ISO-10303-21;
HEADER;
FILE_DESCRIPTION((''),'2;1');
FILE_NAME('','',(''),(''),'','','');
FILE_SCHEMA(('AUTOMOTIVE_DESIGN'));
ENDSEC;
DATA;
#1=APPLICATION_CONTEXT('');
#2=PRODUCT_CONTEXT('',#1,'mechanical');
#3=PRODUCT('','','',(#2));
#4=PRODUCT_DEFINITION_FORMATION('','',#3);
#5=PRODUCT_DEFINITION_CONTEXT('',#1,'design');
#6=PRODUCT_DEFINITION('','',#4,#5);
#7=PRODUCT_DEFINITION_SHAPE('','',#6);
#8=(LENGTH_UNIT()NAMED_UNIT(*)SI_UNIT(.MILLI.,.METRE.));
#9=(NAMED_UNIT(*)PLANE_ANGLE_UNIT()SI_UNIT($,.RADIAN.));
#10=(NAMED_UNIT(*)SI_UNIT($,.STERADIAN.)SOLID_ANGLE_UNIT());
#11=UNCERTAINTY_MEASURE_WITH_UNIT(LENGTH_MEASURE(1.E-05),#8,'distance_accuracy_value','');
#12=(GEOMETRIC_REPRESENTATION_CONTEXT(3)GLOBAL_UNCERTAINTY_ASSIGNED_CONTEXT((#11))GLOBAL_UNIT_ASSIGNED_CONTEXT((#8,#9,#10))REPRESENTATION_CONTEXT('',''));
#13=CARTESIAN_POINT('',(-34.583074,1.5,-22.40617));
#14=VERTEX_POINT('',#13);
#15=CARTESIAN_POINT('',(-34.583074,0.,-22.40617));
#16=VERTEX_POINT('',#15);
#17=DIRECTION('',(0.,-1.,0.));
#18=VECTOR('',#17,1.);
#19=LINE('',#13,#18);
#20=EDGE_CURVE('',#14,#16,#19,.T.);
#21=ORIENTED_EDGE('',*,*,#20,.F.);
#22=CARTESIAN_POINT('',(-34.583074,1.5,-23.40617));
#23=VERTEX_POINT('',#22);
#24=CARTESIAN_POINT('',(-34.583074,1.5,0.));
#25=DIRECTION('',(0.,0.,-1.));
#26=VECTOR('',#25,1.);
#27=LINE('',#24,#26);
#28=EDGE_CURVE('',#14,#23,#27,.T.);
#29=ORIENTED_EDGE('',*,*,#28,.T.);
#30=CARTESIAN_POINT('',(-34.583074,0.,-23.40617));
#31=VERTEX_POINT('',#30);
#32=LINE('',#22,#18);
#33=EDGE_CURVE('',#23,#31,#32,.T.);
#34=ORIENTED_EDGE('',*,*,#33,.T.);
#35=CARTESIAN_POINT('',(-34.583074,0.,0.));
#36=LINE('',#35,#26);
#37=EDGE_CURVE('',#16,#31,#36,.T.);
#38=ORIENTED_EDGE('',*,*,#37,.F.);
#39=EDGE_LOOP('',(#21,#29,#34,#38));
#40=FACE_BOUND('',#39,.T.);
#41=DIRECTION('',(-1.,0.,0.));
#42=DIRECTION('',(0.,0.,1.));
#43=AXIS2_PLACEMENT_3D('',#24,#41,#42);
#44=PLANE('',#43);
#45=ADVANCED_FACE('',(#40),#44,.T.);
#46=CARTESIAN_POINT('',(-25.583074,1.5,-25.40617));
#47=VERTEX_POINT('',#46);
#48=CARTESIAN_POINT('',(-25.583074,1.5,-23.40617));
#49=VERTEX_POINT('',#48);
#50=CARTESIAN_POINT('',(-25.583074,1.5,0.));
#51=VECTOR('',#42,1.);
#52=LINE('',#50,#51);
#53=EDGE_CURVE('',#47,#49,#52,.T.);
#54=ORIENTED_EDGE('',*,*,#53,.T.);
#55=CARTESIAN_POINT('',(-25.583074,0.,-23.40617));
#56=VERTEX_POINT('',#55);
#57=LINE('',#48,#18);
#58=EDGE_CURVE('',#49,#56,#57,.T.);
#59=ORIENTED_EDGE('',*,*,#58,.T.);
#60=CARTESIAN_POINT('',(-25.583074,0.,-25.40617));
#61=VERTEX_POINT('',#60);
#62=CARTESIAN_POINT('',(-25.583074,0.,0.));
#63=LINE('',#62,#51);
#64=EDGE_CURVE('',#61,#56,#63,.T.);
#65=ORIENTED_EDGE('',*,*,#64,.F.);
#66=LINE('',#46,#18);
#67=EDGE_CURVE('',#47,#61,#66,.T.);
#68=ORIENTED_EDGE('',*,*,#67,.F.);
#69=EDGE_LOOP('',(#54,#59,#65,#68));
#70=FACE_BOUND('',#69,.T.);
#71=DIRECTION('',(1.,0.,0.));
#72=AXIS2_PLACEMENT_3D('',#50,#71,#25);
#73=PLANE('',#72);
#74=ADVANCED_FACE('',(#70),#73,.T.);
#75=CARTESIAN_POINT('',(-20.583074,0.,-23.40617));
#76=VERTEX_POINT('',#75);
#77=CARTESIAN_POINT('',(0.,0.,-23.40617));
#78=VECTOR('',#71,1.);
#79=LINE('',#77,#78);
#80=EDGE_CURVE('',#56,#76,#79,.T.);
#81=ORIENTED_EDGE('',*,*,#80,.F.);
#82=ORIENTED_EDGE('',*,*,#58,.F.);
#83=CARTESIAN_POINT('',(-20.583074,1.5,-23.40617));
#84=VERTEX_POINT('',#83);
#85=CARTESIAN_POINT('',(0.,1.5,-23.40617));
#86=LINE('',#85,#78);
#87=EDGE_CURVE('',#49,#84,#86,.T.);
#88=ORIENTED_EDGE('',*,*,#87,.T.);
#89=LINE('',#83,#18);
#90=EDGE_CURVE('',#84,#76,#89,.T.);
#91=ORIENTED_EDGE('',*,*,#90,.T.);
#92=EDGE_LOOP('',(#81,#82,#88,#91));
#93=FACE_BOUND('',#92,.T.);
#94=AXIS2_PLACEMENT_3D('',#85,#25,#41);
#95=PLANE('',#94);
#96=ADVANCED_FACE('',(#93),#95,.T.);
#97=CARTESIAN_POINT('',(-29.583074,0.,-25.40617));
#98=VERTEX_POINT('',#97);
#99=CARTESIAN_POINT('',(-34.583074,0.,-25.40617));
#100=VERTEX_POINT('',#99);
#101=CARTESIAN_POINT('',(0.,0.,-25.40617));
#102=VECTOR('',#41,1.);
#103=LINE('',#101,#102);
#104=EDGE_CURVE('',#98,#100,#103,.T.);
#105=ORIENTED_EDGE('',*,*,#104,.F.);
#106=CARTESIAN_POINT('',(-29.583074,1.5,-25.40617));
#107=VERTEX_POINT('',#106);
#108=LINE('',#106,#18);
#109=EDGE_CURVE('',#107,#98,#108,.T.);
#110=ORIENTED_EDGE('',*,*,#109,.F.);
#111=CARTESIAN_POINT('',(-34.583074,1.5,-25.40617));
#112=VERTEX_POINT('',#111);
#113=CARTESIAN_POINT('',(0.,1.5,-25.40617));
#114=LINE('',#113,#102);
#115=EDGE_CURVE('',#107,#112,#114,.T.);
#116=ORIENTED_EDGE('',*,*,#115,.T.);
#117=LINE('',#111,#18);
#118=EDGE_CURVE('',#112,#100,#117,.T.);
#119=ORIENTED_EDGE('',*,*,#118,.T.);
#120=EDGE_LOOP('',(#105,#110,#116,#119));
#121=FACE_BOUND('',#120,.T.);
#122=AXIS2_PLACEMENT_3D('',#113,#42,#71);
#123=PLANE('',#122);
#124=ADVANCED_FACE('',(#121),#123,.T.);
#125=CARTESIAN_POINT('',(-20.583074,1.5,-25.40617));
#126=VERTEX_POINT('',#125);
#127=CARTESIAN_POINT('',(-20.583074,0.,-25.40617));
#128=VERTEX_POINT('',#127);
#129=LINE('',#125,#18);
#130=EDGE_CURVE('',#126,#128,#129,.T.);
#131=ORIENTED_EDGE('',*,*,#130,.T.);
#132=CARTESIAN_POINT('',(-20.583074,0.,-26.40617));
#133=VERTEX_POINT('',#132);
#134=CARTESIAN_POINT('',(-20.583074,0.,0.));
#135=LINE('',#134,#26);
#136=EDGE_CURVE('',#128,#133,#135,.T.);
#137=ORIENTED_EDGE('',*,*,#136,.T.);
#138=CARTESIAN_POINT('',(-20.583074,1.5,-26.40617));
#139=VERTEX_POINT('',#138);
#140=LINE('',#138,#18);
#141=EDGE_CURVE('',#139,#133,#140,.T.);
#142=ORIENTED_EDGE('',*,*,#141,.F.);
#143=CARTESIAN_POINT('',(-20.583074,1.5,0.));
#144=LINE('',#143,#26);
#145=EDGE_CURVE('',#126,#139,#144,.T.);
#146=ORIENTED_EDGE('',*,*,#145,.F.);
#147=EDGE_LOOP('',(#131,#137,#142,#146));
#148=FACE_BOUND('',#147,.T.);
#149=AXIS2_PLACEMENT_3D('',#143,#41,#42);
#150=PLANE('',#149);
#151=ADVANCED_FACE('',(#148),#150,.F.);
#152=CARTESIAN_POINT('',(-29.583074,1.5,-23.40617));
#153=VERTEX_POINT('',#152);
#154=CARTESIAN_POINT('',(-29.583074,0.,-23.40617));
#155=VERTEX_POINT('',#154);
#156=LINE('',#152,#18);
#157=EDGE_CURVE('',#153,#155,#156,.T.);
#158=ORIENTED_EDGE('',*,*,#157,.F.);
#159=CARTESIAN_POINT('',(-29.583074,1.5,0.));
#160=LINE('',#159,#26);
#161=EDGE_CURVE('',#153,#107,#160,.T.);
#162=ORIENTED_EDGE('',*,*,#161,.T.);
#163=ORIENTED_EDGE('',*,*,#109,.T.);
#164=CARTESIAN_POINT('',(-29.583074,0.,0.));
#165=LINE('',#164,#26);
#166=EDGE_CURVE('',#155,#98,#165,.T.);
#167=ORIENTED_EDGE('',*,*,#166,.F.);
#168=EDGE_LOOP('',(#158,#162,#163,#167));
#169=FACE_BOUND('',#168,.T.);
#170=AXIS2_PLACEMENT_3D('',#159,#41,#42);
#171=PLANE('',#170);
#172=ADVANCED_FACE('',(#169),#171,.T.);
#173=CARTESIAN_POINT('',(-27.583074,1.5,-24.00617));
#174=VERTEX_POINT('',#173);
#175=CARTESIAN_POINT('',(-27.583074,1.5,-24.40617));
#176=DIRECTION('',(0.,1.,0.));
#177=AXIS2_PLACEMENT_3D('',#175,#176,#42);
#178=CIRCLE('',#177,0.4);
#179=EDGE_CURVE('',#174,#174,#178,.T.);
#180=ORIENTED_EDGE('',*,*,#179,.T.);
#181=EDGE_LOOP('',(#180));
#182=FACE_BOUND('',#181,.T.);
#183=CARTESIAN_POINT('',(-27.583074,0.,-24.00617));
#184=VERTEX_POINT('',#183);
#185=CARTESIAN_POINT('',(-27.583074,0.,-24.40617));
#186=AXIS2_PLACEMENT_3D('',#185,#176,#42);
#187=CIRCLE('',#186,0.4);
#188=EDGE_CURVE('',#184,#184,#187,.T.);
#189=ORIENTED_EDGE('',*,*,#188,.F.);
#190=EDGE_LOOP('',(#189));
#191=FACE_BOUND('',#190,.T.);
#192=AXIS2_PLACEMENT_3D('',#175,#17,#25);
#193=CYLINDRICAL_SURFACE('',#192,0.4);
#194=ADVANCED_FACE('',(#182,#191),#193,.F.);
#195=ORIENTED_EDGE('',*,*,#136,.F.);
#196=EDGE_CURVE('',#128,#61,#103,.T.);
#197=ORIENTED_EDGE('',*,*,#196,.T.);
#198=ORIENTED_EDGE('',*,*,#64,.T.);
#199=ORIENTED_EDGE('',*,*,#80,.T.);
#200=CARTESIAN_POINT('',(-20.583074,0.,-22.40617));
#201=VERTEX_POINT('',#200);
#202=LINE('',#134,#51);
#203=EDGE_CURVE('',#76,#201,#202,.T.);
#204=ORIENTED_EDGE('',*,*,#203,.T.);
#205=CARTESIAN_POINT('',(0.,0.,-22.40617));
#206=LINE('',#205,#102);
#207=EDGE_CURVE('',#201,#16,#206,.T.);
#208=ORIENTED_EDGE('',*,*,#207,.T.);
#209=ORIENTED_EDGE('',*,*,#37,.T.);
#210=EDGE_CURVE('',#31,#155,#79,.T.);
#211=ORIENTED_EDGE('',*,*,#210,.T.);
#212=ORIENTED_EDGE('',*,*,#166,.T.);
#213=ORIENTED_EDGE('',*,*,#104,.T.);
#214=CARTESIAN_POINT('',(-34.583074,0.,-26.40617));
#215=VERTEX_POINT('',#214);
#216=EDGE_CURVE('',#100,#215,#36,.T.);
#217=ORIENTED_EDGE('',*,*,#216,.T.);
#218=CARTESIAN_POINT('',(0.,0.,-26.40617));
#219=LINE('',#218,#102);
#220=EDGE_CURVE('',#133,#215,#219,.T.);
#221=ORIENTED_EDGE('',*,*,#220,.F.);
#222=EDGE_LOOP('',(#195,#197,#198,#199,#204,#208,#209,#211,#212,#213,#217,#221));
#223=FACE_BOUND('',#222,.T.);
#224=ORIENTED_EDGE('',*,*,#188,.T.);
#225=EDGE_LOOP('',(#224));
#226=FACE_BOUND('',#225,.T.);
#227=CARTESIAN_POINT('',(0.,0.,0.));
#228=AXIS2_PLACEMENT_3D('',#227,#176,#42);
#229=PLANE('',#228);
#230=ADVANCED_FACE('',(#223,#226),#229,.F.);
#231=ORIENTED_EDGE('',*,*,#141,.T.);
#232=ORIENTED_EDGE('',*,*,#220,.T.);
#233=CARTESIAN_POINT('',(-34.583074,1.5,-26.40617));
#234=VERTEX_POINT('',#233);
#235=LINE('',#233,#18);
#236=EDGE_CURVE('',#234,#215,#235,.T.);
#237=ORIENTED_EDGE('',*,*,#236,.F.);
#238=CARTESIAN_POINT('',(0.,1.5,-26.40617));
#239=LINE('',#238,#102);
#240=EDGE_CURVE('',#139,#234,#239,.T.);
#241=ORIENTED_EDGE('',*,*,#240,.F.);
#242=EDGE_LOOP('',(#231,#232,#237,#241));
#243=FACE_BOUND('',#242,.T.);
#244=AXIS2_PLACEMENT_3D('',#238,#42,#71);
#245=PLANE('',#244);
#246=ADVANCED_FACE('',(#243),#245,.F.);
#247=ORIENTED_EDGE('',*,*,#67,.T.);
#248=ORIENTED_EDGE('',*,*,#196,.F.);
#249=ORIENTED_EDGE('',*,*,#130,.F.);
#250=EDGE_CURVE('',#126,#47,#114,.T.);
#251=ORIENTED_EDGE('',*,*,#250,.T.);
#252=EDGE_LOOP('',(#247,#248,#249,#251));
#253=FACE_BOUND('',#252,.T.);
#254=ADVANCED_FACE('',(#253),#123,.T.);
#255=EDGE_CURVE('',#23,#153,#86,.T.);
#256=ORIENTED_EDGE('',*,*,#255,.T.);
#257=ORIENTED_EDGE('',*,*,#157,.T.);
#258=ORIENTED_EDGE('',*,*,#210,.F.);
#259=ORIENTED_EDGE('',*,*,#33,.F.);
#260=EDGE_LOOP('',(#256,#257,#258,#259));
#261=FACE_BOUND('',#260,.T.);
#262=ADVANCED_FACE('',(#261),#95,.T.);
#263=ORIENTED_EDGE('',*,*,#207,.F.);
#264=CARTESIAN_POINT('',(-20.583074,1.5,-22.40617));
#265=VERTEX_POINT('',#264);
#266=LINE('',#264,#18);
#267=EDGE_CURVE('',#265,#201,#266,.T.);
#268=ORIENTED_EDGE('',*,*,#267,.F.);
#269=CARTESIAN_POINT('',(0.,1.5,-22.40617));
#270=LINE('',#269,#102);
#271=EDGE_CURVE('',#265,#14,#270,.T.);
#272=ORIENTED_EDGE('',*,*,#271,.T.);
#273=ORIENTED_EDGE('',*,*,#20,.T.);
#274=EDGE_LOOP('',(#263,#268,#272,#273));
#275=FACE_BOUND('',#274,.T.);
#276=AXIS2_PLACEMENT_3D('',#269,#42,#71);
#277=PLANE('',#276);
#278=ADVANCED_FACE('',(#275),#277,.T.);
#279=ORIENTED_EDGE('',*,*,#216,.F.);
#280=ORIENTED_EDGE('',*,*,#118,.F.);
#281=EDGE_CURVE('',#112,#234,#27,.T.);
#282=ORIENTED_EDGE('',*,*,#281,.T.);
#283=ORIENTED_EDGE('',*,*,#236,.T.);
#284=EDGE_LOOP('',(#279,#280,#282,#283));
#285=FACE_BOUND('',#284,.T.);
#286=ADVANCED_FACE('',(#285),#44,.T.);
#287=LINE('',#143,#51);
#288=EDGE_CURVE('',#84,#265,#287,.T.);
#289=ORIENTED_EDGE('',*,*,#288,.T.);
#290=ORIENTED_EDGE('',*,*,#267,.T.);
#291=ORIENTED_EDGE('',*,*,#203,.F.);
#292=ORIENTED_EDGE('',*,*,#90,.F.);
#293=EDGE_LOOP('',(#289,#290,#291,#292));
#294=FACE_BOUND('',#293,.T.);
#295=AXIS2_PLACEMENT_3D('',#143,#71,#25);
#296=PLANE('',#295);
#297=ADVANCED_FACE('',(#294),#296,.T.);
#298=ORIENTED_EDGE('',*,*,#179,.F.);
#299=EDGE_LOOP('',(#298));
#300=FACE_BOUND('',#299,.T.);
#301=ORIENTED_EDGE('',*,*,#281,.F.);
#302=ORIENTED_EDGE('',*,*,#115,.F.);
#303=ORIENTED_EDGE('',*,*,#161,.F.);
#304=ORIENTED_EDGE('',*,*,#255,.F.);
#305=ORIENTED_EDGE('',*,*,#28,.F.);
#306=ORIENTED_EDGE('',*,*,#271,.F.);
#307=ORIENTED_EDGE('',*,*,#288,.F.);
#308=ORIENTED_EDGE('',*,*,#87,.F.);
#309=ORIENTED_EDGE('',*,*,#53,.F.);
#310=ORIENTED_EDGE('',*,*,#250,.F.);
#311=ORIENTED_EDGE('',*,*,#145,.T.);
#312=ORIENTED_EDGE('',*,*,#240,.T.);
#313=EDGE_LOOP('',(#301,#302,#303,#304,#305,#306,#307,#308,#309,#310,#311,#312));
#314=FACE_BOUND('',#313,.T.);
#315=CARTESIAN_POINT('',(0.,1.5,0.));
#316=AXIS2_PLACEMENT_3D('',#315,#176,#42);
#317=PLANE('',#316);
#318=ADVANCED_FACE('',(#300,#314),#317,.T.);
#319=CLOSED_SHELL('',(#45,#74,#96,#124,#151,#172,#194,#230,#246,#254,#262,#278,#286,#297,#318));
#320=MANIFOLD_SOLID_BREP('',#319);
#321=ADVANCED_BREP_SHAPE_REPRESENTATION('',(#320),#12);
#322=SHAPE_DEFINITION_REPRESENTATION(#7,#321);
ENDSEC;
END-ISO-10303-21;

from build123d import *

# Parameters (mm, degrees)
SKETCH1_R           = 0.4
BOSS_EXTRUDE3_DEPTH = 1.5


with BuildPart() as part:
    # Sketch1 → Boss-Extrude3 (new body)
    with BuildSketch(Plane(origin=(0, 0, 0), x_dir=(1, 0, 0), z_dir=(0, 1, 0))):
        Polygon((-20.583073889, 25.40617028), (-20.583073889, 26.40617028), (-34.583073889, 26.40617028), (-34.583073889, 25.40617028), (-29.583073889, 25.40617028), (-29.583073889, 23.40617028), (-34.583073889, 23.40617028), (-34.583073889, 22.40617028), (-20.583073889, 22.40617028), (-20.583073889, 23.40617028), (-25.583073889, 23.40617028), (-25.583073889, 25.40617028), align=None)
        with Locations(Location((-27.583073889, 24.40617028, 0), (0, 0, 270))):
            Circle(SKETCH1_R, mode=Mode.SUBTRACT)
    extrude(amount=BOSS_EXTRUDE3_DEPTH)


solid = part.part
